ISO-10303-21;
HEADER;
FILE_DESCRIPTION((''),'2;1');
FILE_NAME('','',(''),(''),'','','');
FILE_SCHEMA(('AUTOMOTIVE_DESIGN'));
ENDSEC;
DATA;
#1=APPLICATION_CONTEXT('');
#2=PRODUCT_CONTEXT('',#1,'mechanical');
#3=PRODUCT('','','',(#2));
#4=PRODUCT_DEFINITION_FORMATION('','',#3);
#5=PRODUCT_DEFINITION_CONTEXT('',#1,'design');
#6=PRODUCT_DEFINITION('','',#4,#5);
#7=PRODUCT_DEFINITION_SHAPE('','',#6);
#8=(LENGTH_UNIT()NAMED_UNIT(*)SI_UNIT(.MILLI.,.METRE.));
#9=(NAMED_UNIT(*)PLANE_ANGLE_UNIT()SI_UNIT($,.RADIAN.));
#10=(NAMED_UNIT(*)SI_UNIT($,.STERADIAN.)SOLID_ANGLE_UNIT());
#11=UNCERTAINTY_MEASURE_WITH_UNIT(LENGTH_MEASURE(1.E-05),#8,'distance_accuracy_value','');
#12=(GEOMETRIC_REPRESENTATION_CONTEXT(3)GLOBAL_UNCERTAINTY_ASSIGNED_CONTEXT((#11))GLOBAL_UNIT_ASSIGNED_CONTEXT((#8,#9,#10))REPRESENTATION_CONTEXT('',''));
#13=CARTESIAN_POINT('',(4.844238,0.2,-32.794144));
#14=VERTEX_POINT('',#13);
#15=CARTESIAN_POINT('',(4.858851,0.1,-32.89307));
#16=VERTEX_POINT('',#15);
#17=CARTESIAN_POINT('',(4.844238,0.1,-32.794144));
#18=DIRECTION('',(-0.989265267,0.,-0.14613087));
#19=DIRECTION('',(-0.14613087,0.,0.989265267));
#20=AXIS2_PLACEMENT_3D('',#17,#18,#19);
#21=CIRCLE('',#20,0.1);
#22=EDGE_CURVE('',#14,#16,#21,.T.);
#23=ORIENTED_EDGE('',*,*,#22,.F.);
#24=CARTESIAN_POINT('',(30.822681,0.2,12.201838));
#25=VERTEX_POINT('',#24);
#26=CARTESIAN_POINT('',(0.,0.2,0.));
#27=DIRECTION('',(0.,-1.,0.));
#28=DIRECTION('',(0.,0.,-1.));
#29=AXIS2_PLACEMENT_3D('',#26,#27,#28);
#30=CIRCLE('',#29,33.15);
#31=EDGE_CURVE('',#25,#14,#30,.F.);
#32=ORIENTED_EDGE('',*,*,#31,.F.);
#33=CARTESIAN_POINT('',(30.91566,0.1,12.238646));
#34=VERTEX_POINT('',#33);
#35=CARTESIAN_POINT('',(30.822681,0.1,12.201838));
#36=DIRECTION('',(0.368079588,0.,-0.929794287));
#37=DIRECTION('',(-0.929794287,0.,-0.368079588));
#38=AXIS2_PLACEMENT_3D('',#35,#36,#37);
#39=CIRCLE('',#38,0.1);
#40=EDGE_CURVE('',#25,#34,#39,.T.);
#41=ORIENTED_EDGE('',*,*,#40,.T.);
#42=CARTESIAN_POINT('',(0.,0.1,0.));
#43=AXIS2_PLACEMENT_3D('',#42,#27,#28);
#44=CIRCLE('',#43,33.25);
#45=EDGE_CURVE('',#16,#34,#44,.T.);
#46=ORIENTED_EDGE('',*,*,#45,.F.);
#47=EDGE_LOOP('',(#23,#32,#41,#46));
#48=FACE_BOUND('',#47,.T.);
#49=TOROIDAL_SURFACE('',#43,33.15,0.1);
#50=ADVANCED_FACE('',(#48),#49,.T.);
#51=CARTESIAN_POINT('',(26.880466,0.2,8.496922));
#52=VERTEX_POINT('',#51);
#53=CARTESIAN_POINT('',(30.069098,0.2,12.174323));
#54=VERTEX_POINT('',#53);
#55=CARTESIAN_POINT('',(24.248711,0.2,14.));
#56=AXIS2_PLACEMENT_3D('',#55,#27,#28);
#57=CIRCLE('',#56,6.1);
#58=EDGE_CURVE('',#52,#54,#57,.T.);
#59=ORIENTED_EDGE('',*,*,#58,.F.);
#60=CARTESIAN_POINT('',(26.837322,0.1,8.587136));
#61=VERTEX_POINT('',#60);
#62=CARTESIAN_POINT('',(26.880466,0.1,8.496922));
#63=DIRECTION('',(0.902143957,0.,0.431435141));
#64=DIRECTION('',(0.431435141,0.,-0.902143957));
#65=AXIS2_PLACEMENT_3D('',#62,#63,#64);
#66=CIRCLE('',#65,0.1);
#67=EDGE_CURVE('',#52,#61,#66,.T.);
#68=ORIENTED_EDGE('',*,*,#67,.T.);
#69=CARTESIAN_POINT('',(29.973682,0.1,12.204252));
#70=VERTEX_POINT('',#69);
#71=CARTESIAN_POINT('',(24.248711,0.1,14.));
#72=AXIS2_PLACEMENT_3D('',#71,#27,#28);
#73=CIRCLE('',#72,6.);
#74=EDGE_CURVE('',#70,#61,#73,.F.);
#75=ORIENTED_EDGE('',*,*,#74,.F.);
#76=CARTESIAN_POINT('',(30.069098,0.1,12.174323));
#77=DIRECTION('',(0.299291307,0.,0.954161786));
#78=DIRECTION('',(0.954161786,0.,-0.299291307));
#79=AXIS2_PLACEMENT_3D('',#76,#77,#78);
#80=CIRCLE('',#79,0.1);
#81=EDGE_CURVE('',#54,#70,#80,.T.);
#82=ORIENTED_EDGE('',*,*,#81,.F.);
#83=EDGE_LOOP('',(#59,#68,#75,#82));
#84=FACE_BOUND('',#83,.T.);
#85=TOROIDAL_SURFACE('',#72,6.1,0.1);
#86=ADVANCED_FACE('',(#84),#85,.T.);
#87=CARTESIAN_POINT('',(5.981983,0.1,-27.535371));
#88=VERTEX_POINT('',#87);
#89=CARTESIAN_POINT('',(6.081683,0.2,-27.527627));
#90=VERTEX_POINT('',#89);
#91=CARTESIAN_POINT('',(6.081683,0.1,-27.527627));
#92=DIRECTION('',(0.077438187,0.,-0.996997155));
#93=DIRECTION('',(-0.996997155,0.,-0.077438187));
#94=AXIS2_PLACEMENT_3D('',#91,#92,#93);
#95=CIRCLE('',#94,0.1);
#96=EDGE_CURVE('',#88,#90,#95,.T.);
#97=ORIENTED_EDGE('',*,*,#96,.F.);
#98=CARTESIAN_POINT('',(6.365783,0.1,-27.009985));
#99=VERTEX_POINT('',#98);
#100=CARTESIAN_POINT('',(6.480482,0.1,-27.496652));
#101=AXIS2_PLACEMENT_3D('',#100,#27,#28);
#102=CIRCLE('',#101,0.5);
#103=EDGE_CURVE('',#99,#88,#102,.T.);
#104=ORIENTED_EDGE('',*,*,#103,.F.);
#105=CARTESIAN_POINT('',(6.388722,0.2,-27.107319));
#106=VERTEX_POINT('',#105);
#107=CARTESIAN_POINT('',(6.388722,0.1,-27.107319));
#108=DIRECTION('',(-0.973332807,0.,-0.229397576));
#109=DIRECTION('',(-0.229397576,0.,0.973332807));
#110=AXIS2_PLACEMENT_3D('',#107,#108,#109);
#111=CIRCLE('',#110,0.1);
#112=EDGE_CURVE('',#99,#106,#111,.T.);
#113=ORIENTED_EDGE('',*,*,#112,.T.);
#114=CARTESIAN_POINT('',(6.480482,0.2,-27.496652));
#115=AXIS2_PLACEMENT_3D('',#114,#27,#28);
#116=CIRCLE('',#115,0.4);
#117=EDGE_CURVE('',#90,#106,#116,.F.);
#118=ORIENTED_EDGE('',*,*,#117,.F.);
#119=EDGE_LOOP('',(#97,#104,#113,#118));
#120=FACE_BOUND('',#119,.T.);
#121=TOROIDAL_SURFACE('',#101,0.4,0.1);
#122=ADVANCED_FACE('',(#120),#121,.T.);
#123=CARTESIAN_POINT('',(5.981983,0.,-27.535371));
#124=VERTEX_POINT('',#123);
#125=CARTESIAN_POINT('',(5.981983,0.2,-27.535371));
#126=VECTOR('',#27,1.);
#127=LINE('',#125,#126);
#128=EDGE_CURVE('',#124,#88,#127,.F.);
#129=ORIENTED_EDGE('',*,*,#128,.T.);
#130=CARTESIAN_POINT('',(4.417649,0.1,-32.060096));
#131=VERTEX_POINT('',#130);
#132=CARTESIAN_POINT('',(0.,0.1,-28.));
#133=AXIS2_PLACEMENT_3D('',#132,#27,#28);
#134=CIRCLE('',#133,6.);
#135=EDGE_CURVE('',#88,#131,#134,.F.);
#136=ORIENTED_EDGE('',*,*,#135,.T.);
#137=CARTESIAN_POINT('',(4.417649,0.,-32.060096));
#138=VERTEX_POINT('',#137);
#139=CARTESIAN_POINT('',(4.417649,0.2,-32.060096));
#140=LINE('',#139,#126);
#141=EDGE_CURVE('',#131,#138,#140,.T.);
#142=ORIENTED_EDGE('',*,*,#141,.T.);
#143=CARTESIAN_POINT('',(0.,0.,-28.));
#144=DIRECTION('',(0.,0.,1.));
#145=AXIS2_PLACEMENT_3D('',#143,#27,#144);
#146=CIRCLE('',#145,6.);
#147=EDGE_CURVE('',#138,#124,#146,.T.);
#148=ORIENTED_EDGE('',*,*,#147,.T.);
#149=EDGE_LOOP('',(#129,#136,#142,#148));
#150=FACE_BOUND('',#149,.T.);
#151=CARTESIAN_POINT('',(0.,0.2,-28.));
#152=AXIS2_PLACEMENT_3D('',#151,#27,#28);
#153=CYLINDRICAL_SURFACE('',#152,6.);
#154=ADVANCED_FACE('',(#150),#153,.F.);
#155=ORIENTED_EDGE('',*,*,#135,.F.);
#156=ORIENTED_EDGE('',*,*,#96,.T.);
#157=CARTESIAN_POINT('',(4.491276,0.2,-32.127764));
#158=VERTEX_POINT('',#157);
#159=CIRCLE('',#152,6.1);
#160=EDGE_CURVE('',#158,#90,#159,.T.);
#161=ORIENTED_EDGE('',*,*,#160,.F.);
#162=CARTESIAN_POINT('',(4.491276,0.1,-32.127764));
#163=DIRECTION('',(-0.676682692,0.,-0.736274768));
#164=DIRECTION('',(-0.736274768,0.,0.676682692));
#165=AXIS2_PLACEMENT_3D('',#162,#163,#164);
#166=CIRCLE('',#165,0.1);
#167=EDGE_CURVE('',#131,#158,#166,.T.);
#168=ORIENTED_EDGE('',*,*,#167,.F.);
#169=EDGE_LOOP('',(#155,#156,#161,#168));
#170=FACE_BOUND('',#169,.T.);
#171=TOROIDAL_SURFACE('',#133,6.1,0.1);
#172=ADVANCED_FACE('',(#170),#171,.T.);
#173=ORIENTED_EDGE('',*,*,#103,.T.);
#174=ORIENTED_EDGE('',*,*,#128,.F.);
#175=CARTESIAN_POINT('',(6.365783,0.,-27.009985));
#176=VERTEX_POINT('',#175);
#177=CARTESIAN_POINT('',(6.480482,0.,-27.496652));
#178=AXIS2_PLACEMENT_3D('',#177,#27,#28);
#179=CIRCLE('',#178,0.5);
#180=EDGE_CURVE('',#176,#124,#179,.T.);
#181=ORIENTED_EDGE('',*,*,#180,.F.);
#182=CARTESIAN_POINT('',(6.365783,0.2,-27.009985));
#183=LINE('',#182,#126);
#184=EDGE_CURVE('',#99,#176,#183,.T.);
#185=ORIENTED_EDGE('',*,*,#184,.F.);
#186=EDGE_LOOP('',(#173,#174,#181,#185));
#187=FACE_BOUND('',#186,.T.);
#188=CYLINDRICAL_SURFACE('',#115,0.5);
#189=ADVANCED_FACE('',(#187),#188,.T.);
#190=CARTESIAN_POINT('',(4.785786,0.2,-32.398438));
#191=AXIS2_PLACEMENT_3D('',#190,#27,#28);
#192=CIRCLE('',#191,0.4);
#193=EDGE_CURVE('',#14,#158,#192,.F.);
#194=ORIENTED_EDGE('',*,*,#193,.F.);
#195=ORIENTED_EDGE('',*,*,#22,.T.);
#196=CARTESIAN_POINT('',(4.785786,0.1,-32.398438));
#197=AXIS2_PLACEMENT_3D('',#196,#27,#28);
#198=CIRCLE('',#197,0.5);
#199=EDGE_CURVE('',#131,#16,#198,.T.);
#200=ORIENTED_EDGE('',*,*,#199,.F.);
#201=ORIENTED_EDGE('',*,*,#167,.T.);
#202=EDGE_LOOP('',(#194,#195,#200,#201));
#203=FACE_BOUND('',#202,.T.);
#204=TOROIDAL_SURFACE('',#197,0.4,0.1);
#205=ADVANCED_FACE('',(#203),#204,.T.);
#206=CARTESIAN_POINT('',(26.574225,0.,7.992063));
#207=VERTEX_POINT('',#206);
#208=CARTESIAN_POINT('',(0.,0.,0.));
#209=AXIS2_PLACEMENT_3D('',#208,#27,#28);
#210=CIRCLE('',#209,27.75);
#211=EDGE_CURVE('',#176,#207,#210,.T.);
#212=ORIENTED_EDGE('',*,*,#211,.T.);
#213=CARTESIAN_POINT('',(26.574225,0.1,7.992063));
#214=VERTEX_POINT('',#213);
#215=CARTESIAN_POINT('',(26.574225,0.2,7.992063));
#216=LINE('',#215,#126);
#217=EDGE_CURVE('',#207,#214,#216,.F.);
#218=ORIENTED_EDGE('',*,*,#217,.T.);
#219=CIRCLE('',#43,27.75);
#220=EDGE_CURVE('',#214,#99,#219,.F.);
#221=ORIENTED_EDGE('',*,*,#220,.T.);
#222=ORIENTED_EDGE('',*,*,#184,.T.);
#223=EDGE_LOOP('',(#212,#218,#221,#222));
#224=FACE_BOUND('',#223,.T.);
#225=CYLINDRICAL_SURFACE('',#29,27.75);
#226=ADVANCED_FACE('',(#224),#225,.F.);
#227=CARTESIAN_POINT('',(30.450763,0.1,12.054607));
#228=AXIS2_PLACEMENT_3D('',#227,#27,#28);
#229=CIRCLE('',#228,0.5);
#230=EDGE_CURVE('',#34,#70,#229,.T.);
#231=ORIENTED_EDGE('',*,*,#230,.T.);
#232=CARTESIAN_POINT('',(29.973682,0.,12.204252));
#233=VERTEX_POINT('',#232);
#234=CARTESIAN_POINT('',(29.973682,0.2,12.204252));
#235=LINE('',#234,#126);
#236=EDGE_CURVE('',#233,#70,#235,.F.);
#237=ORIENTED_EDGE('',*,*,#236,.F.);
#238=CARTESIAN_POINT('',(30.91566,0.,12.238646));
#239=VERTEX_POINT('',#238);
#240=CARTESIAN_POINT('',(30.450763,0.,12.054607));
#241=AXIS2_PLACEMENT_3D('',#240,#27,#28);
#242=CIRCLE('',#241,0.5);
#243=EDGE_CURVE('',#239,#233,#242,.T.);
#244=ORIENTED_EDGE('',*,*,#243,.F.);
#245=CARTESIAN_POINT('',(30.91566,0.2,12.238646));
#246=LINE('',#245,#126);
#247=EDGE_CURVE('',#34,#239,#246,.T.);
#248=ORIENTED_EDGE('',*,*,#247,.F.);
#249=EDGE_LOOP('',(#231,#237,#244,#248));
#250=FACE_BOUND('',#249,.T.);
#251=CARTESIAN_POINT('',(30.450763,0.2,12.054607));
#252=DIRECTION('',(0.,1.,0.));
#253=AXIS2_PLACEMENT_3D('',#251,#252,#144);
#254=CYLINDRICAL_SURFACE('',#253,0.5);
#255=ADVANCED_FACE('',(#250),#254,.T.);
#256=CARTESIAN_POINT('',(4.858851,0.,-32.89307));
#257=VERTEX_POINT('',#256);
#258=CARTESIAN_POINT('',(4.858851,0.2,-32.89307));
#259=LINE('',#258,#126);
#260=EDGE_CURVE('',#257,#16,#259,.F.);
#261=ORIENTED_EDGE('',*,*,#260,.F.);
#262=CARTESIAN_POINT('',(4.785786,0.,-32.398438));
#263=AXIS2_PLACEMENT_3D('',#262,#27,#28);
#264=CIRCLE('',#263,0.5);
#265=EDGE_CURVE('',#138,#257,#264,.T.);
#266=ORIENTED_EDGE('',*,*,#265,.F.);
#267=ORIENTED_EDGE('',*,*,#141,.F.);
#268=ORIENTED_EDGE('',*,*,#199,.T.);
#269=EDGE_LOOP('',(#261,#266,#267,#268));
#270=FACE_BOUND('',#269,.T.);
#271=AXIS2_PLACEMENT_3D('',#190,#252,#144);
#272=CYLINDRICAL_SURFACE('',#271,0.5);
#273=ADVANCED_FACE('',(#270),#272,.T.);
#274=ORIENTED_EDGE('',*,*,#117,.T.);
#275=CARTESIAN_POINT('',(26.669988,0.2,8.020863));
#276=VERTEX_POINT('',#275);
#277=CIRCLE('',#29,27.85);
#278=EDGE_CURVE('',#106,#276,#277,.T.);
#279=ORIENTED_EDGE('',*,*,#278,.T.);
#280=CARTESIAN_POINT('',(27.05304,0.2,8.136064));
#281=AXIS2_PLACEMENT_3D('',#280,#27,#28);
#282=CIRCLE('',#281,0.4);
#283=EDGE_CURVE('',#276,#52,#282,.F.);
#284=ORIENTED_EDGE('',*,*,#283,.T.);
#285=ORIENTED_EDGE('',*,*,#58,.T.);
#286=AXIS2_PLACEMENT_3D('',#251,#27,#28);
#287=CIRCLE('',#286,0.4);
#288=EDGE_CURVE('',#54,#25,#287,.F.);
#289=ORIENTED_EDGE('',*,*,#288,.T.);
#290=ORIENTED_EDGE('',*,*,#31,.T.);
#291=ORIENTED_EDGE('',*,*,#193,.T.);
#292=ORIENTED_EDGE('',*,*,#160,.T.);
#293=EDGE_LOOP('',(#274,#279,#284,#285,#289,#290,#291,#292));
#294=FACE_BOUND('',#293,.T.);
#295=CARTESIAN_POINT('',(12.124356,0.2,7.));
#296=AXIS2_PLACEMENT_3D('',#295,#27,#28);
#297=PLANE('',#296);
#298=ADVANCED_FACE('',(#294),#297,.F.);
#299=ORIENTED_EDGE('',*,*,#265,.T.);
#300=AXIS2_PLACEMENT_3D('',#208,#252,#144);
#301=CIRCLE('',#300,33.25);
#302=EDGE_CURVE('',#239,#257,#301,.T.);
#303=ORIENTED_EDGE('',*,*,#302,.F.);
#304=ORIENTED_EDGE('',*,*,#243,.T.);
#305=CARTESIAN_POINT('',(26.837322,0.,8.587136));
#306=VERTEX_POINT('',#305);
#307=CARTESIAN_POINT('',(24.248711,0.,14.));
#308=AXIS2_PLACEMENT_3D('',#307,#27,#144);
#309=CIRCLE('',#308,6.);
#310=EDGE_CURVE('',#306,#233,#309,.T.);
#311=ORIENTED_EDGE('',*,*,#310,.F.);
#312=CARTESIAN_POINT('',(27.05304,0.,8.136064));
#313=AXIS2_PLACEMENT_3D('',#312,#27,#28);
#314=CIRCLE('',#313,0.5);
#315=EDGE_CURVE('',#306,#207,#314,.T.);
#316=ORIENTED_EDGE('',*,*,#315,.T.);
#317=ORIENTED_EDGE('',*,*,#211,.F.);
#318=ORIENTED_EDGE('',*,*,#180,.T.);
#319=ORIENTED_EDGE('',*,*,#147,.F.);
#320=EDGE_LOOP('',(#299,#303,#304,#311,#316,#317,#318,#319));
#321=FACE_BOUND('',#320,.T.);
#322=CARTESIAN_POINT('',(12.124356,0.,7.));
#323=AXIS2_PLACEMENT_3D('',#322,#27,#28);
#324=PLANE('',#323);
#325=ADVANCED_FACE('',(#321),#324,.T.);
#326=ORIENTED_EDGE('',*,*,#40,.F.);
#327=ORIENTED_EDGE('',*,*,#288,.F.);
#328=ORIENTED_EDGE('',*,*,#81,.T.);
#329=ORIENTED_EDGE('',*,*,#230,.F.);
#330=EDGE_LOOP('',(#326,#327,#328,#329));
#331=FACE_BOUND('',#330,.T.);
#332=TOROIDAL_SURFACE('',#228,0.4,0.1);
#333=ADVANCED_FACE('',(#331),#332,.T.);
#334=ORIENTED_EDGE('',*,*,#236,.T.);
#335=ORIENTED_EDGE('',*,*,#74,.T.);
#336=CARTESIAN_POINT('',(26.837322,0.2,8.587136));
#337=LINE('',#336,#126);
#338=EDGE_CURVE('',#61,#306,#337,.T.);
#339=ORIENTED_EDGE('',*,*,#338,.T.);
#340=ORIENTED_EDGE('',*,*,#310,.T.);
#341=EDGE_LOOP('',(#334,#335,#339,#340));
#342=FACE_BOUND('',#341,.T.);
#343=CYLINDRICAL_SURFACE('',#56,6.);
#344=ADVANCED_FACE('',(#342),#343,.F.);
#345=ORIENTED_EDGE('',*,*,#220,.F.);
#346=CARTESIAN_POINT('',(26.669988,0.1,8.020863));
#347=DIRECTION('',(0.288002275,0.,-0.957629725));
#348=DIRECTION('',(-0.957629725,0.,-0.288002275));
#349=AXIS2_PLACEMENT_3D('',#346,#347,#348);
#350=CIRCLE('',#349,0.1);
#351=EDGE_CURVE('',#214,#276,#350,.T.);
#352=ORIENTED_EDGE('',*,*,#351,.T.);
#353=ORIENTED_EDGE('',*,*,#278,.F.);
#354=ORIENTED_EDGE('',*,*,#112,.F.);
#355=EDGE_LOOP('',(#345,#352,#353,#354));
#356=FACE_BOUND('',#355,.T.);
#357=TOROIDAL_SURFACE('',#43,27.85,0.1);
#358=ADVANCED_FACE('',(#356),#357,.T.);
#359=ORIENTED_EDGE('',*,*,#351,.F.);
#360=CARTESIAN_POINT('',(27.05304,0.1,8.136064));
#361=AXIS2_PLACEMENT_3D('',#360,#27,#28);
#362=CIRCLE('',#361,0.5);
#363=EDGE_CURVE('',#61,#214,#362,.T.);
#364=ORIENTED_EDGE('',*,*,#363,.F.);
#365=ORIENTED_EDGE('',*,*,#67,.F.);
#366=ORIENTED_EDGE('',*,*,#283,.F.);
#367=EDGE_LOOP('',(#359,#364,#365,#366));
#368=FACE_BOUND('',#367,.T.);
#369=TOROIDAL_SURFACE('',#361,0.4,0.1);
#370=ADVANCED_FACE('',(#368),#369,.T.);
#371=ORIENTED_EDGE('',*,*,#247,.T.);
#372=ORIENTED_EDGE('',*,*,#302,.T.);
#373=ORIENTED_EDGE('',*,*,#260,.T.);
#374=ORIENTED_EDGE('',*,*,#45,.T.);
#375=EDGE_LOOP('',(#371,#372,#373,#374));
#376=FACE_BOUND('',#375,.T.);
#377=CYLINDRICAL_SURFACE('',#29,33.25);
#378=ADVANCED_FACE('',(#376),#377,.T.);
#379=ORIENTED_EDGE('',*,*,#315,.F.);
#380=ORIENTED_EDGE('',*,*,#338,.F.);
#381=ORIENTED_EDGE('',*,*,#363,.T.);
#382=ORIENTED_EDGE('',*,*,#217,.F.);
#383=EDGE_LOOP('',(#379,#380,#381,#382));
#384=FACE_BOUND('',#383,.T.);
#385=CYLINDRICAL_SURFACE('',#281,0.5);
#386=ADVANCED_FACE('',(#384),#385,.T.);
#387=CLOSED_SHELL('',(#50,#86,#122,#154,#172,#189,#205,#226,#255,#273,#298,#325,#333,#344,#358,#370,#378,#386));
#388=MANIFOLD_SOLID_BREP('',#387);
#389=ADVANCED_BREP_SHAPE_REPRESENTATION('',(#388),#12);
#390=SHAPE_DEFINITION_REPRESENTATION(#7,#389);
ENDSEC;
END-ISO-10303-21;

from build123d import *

# Parameters (mm, degrees)
BOSS_EXTRUDE1_DEPTH = 0.2
FILLET1_R           = 0.5
FILLET2_R           = 0.1


with BuildPart() as part:
    # Sketch1 → Boss-Extrude1 (new body)
    with BuildSketch(Plane(origin=(0, 0, 0), x_dir=(1, 0, 0), z_dir=(0, 1, 0))):
        with BuildLine():
            ThreePointArc((5.933363116, 27.108258929), (5.445514195, 30.519201292), (3.161776385, 33.099330357))
            ThreePointArc((3.161776385, 33.099330357), (28.795344676, 16.625), (30.24574913, -13.811486508))
            ThreePointArc((30.24574913, -13.811486508), (29.15316072, -10.543647016), (26.443122442, -8.415686276))
            ThreePointArc((26.443122442, -8.415686276), (24.032204955, 13.875), (5.933363116, 27.108258929))
        make_face()
    extrude(amount=BOSS_EXTRUDE1_DEPTH)

    # Fillet1
    fillet1_edges = [part.edges().sort_by_distance(p)[0] for p in [
        (5.933363116, 0.1, -27.108258929),
        (3.161776385, 0.1, -33.099330357),
        (30.24574913, 0.1, 13.811486508),
        (26.443122442, 0.1, 8.415686276),
    ]]
    fillet(fillet1_edges, radius=FILLET1_R)

    # Fillet2
    fillet2_edges = [part.edges().sort_by_distance(p)[0] for p in [
        (5.67065858, 0.2, -29.960518111),
        (28.795344676, 0.2, -16.625),
        (24.032204955, 0.2, -13.875),
        (28.781899085, 0.2, 10.069324669),
        (30.432518733, 0.2, 12.554273543),
        (26.595741318, 0.2, 8.338247788),
        (6.076736251, 0.2, -27.201711507),
        (4.343939552, 0.2, -32.632471095),
    ]]
    fillet(fillet2_edges, radius=FILLET2_R)


solid = part.part
